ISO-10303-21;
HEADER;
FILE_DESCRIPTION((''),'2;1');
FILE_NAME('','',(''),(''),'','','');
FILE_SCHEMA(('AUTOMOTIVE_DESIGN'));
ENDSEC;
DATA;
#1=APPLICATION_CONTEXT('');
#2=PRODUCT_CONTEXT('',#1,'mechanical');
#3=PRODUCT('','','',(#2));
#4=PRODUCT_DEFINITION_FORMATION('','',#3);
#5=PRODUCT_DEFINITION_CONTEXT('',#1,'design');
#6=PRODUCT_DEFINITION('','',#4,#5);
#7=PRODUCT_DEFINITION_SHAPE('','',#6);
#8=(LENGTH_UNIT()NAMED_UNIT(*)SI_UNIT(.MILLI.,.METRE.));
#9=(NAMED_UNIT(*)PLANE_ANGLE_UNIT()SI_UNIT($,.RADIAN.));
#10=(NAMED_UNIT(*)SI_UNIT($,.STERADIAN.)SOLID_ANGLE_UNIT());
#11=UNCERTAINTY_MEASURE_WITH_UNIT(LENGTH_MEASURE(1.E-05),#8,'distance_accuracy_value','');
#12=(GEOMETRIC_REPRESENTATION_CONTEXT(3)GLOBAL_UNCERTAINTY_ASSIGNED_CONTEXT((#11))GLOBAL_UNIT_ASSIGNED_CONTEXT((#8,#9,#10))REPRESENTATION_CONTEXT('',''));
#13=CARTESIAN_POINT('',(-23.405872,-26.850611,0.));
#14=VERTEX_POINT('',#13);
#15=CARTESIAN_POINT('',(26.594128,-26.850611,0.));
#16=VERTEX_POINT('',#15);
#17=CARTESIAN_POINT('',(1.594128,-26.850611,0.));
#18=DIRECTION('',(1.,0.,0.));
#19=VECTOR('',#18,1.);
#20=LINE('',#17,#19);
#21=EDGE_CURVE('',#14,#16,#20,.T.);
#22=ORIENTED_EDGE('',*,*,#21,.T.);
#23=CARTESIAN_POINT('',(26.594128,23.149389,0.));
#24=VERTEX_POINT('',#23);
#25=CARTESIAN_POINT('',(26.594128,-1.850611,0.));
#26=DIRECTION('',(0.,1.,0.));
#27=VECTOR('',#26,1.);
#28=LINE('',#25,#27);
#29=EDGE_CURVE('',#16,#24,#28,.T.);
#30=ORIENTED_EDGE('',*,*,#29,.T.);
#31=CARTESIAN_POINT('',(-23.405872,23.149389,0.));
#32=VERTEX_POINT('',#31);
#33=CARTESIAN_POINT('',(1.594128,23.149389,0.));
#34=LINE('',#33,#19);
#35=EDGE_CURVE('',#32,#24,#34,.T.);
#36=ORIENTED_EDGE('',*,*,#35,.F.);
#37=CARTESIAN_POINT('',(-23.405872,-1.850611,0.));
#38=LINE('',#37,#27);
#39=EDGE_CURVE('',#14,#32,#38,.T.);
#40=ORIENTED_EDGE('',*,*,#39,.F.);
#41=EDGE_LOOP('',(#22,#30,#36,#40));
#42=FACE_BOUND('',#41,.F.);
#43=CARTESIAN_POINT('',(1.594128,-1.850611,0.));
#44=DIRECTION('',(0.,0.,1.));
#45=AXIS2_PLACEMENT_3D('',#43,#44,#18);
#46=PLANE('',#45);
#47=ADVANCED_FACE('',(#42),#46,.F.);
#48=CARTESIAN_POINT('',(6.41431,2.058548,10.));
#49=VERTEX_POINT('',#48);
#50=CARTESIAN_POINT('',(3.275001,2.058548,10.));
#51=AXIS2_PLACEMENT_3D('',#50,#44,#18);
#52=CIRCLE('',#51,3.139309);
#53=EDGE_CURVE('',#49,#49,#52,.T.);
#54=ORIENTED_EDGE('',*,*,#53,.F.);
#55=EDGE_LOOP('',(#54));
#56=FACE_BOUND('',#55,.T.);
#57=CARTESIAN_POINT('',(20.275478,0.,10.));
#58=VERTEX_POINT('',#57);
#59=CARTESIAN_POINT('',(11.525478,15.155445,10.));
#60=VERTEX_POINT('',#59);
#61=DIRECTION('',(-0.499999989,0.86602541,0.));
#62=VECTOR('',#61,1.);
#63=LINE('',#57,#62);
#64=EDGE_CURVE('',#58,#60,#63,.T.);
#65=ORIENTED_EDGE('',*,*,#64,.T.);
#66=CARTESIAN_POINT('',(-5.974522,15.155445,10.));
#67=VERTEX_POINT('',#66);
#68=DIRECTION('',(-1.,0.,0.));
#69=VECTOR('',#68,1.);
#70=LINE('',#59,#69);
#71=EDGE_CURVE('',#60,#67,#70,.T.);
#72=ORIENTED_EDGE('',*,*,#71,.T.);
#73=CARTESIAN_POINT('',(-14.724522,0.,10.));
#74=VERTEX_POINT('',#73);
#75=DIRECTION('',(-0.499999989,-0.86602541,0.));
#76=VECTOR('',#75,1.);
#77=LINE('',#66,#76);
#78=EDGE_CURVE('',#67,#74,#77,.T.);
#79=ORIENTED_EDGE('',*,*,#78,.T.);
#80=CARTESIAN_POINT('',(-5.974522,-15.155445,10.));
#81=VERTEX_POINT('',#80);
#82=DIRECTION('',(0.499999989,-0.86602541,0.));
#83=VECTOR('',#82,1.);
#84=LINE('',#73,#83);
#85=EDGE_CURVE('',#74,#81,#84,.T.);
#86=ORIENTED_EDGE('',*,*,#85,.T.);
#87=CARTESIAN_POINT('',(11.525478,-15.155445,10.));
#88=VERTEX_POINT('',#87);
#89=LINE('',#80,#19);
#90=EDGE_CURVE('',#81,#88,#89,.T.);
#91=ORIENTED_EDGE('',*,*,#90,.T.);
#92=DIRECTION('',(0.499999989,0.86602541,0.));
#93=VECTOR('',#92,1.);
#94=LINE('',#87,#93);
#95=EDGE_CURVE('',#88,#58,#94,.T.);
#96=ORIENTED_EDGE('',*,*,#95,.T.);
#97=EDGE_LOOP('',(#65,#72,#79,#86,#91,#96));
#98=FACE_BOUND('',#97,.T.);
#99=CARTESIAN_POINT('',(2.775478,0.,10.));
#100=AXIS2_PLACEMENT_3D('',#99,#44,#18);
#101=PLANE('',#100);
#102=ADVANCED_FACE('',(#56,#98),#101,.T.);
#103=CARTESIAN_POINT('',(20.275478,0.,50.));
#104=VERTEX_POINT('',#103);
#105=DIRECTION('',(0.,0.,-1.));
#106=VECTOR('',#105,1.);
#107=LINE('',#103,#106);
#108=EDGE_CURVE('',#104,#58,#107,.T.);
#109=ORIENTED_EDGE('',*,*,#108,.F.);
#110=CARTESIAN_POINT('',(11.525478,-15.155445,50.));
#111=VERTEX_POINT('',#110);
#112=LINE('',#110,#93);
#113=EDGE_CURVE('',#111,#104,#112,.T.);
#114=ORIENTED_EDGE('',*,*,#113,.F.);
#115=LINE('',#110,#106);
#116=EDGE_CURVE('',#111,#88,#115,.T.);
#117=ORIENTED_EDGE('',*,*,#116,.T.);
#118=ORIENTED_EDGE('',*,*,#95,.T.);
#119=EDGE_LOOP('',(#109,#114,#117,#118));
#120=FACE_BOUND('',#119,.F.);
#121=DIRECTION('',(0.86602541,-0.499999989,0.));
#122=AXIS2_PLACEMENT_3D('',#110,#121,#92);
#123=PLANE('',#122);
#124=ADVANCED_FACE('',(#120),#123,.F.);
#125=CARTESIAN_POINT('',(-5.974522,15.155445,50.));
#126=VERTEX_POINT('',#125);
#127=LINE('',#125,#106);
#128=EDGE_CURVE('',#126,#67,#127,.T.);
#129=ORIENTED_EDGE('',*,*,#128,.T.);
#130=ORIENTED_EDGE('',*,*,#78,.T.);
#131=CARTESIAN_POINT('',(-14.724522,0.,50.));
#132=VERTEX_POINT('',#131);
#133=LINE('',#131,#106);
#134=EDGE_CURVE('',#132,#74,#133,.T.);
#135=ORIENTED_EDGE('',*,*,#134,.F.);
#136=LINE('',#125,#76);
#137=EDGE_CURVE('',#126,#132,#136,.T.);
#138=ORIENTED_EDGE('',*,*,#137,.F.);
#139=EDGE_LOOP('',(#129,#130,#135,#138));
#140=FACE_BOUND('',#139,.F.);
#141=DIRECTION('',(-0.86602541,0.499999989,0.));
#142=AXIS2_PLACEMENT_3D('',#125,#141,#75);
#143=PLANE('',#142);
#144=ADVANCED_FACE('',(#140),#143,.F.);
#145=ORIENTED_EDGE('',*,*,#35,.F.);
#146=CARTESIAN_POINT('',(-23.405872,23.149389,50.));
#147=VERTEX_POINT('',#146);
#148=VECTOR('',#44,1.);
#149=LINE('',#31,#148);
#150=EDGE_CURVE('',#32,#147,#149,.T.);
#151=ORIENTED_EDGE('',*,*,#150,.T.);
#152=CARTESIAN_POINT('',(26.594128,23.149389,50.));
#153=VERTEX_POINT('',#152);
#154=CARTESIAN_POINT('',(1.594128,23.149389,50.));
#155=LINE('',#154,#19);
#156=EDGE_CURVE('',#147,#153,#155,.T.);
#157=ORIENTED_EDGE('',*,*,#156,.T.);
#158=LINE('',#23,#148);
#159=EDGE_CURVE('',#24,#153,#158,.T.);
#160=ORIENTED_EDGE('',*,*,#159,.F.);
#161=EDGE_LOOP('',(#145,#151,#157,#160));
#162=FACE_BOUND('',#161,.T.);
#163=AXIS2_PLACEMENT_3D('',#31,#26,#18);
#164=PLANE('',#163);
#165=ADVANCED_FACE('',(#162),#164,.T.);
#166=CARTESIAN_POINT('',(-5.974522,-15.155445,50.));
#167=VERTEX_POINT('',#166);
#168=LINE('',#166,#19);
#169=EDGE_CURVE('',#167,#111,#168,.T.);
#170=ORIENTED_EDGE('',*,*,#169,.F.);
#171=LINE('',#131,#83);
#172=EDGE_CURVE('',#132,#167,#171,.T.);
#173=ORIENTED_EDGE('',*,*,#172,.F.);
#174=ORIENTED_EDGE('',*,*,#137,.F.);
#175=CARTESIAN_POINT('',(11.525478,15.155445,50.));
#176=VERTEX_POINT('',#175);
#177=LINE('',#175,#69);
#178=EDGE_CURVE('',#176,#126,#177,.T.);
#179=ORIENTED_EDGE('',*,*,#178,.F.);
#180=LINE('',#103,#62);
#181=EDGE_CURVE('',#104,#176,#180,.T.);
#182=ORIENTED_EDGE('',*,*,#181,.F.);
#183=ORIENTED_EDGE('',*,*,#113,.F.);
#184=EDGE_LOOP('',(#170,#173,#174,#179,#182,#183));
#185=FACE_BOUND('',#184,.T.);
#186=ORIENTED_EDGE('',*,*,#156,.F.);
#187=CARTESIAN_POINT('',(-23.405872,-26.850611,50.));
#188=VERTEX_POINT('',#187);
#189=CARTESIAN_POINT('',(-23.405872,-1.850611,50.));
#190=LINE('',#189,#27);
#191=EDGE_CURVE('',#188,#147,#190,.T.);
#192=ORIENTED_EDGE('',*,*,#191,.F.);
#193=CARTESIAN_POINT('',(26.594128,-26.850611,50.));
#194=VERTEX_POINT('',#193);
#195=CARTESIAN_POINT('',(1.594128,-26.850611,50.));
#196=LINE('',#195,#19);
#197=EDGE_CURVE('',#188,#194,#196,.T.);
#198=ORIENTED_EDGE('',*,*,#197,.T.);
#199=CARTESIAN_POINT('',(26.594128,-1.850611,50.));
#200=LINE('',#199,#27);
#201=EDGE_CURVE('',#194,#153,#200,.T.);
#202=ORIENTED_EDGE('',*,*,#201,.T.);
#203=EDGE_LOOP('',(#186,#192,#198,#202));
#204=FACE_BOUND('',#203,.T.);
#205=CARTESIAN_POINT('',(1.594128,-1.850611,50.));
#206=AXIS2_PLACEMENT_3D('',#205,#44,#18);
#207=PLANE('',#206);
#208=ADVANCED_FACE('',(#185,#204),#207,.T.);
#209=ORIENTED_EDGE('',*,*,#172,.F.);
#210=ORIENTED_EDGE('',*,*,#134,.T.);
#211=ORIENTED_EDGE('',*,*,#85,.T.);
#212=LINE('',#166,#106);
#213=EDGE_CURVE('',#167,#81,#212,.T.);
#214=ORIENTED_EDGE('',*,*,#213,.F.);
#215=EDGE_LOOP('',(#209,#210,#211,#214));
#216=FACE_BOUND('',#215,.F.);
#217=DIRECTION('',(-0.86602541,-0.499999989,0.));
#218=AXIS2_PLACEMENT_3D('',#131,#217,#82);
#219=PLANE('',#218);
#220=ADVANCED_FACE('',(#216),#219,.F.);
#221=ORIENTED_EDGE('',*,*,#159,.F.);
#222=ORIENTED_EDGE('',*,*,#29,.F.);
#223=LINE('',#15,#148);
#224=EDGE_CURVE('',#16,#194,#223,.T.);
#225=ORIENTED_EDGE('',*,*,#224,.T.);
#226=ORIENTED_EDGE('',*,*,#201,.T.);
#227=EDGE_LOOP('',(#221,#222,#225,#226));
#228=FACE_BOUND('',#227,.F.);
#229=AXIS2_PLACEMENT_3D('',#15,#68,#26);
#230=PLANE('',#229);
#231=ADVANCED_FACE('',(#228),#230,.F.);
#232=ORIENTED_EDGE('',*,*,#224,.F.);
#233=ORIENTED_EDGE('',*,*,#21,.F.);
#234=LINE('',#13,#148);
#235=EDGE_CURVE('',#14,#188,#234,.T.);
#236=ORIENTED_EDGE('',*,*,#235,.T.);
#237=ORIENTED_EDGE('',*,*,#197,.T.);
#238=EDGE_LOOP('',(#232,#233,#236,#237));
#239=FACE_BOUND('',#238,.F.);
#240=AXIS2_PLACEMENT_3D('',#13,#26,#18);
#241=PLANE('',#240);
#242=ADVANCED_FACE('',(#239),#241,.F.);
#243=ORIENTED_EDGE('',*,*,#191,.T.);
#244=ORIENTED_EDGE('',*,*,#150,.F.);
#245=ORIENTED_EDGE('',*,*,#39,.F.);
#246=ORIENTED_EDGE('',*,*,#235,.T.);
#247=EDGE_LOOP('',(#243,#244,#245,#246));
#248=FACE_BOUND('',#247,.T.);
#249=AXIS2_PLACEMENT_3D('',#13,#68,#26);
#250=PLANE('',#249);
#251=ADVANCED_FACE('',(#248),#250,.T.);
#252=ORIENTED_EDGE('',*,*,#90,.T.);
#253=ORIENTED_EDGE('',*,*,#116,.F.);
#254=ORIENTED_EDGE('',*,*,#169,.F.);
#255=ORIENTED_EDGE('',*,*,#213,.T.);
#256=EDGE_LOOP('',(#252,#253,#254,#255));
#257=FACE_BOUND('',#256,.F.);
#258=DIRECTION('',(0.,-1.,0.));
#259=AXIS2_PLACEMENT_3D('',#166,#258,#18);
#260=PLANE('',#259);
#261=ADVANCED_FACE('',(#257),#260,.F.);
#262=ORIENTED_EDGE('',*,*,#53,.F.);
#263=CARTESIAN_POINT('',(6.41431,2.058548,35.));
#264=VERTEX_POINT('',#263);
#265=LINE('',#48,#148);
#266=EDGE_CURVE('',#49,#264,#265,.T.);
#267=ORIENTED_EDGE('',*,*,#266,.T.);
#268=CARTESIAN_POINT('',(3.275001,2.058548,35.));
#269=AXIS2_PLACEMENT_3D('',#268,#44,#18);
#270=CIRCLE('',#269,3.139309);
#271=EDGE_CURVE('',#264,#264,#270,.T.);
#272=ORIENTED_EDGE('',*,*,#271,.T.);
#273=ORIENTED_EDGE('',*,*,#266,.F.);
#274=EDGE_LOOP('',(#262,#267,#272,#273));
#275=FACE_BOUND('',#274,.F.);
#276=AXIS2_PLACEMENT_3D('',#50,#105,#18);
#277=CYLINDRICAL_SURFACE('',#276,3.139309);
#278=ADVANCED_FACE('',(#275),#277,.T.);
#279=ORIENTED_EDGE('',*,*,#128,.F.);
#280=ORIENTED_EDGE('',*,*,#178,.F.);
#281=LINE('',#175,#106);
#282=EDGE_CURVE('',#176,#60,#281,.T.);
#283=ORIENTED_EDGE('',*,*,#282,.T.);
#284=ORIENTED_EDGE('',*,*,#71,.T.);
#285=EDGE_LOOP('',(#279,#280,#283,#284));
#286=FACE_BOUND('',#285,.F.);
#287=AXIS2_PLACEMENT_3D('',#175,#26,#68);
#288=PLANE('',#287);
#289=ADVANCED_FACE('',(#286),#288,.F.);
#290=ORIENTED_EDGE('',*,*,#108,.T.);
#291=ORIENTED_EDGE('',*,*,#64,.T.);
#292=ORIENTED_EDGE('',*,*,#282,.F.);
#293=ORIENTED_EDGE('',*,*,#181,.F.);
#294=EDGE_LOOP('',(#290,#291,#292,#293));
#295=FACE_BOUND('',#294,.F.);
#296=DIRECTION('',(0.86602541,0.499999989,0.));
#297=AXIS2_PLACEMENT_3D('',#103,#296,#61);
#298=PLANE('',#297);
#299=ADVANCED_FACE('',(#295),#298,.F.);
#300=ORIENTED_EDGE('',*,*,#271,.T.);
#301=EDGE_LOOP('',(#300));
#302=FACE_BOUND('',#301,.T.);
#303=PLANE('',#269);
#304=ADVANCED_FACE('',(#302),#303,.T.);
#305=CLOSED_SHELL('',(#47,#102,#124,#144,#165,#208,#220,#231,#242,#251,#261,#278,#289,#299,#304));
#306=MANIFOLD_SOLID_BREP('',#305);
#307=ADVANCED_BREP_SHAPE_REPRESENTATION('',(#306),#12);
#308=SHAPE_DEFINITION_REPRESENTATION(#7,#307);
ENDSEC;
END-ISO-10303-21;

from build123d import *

# Parameters (mm, degrees)
F0_W     = 50
F0_H     = 50
F1_DEPTH = 50
F3_DEPTH = 40
F4_R     = 3.139309
F5_DEPTH = 25


with BuildPart() as f1:
    # F0 (on Top) → F1 (new body)
    with BuildSketch(Plane.XY):
        with Locations((1.594128, -1.850611)):
            Rectangle(F0_W, F0_H)
    extrude(amount=F1_DEPTH)

    # F2 (on face) → F3 (cut)
    with BuildSketch(Plane.XY.offset(50)):
        Polygon((-5.974522, -15.155445), (11.525478, -15.155445), (20.275478, 0), (11.525478, 15.155445), (-5.974522, 15.155445), (-14.724522, 0), align=None)
    extrude(amount=-F3_DEPTH, mode=Mode.SUBTRACT)

    # F4 (on face) → F5 (join)
    with BuildSketch(Plane.XY.offset(10)):
        with Locations((3.275001, 2.058548)):
            Circle(F4_R)
    extrude(amount=F5_DEPTH)


solid = f1.part
